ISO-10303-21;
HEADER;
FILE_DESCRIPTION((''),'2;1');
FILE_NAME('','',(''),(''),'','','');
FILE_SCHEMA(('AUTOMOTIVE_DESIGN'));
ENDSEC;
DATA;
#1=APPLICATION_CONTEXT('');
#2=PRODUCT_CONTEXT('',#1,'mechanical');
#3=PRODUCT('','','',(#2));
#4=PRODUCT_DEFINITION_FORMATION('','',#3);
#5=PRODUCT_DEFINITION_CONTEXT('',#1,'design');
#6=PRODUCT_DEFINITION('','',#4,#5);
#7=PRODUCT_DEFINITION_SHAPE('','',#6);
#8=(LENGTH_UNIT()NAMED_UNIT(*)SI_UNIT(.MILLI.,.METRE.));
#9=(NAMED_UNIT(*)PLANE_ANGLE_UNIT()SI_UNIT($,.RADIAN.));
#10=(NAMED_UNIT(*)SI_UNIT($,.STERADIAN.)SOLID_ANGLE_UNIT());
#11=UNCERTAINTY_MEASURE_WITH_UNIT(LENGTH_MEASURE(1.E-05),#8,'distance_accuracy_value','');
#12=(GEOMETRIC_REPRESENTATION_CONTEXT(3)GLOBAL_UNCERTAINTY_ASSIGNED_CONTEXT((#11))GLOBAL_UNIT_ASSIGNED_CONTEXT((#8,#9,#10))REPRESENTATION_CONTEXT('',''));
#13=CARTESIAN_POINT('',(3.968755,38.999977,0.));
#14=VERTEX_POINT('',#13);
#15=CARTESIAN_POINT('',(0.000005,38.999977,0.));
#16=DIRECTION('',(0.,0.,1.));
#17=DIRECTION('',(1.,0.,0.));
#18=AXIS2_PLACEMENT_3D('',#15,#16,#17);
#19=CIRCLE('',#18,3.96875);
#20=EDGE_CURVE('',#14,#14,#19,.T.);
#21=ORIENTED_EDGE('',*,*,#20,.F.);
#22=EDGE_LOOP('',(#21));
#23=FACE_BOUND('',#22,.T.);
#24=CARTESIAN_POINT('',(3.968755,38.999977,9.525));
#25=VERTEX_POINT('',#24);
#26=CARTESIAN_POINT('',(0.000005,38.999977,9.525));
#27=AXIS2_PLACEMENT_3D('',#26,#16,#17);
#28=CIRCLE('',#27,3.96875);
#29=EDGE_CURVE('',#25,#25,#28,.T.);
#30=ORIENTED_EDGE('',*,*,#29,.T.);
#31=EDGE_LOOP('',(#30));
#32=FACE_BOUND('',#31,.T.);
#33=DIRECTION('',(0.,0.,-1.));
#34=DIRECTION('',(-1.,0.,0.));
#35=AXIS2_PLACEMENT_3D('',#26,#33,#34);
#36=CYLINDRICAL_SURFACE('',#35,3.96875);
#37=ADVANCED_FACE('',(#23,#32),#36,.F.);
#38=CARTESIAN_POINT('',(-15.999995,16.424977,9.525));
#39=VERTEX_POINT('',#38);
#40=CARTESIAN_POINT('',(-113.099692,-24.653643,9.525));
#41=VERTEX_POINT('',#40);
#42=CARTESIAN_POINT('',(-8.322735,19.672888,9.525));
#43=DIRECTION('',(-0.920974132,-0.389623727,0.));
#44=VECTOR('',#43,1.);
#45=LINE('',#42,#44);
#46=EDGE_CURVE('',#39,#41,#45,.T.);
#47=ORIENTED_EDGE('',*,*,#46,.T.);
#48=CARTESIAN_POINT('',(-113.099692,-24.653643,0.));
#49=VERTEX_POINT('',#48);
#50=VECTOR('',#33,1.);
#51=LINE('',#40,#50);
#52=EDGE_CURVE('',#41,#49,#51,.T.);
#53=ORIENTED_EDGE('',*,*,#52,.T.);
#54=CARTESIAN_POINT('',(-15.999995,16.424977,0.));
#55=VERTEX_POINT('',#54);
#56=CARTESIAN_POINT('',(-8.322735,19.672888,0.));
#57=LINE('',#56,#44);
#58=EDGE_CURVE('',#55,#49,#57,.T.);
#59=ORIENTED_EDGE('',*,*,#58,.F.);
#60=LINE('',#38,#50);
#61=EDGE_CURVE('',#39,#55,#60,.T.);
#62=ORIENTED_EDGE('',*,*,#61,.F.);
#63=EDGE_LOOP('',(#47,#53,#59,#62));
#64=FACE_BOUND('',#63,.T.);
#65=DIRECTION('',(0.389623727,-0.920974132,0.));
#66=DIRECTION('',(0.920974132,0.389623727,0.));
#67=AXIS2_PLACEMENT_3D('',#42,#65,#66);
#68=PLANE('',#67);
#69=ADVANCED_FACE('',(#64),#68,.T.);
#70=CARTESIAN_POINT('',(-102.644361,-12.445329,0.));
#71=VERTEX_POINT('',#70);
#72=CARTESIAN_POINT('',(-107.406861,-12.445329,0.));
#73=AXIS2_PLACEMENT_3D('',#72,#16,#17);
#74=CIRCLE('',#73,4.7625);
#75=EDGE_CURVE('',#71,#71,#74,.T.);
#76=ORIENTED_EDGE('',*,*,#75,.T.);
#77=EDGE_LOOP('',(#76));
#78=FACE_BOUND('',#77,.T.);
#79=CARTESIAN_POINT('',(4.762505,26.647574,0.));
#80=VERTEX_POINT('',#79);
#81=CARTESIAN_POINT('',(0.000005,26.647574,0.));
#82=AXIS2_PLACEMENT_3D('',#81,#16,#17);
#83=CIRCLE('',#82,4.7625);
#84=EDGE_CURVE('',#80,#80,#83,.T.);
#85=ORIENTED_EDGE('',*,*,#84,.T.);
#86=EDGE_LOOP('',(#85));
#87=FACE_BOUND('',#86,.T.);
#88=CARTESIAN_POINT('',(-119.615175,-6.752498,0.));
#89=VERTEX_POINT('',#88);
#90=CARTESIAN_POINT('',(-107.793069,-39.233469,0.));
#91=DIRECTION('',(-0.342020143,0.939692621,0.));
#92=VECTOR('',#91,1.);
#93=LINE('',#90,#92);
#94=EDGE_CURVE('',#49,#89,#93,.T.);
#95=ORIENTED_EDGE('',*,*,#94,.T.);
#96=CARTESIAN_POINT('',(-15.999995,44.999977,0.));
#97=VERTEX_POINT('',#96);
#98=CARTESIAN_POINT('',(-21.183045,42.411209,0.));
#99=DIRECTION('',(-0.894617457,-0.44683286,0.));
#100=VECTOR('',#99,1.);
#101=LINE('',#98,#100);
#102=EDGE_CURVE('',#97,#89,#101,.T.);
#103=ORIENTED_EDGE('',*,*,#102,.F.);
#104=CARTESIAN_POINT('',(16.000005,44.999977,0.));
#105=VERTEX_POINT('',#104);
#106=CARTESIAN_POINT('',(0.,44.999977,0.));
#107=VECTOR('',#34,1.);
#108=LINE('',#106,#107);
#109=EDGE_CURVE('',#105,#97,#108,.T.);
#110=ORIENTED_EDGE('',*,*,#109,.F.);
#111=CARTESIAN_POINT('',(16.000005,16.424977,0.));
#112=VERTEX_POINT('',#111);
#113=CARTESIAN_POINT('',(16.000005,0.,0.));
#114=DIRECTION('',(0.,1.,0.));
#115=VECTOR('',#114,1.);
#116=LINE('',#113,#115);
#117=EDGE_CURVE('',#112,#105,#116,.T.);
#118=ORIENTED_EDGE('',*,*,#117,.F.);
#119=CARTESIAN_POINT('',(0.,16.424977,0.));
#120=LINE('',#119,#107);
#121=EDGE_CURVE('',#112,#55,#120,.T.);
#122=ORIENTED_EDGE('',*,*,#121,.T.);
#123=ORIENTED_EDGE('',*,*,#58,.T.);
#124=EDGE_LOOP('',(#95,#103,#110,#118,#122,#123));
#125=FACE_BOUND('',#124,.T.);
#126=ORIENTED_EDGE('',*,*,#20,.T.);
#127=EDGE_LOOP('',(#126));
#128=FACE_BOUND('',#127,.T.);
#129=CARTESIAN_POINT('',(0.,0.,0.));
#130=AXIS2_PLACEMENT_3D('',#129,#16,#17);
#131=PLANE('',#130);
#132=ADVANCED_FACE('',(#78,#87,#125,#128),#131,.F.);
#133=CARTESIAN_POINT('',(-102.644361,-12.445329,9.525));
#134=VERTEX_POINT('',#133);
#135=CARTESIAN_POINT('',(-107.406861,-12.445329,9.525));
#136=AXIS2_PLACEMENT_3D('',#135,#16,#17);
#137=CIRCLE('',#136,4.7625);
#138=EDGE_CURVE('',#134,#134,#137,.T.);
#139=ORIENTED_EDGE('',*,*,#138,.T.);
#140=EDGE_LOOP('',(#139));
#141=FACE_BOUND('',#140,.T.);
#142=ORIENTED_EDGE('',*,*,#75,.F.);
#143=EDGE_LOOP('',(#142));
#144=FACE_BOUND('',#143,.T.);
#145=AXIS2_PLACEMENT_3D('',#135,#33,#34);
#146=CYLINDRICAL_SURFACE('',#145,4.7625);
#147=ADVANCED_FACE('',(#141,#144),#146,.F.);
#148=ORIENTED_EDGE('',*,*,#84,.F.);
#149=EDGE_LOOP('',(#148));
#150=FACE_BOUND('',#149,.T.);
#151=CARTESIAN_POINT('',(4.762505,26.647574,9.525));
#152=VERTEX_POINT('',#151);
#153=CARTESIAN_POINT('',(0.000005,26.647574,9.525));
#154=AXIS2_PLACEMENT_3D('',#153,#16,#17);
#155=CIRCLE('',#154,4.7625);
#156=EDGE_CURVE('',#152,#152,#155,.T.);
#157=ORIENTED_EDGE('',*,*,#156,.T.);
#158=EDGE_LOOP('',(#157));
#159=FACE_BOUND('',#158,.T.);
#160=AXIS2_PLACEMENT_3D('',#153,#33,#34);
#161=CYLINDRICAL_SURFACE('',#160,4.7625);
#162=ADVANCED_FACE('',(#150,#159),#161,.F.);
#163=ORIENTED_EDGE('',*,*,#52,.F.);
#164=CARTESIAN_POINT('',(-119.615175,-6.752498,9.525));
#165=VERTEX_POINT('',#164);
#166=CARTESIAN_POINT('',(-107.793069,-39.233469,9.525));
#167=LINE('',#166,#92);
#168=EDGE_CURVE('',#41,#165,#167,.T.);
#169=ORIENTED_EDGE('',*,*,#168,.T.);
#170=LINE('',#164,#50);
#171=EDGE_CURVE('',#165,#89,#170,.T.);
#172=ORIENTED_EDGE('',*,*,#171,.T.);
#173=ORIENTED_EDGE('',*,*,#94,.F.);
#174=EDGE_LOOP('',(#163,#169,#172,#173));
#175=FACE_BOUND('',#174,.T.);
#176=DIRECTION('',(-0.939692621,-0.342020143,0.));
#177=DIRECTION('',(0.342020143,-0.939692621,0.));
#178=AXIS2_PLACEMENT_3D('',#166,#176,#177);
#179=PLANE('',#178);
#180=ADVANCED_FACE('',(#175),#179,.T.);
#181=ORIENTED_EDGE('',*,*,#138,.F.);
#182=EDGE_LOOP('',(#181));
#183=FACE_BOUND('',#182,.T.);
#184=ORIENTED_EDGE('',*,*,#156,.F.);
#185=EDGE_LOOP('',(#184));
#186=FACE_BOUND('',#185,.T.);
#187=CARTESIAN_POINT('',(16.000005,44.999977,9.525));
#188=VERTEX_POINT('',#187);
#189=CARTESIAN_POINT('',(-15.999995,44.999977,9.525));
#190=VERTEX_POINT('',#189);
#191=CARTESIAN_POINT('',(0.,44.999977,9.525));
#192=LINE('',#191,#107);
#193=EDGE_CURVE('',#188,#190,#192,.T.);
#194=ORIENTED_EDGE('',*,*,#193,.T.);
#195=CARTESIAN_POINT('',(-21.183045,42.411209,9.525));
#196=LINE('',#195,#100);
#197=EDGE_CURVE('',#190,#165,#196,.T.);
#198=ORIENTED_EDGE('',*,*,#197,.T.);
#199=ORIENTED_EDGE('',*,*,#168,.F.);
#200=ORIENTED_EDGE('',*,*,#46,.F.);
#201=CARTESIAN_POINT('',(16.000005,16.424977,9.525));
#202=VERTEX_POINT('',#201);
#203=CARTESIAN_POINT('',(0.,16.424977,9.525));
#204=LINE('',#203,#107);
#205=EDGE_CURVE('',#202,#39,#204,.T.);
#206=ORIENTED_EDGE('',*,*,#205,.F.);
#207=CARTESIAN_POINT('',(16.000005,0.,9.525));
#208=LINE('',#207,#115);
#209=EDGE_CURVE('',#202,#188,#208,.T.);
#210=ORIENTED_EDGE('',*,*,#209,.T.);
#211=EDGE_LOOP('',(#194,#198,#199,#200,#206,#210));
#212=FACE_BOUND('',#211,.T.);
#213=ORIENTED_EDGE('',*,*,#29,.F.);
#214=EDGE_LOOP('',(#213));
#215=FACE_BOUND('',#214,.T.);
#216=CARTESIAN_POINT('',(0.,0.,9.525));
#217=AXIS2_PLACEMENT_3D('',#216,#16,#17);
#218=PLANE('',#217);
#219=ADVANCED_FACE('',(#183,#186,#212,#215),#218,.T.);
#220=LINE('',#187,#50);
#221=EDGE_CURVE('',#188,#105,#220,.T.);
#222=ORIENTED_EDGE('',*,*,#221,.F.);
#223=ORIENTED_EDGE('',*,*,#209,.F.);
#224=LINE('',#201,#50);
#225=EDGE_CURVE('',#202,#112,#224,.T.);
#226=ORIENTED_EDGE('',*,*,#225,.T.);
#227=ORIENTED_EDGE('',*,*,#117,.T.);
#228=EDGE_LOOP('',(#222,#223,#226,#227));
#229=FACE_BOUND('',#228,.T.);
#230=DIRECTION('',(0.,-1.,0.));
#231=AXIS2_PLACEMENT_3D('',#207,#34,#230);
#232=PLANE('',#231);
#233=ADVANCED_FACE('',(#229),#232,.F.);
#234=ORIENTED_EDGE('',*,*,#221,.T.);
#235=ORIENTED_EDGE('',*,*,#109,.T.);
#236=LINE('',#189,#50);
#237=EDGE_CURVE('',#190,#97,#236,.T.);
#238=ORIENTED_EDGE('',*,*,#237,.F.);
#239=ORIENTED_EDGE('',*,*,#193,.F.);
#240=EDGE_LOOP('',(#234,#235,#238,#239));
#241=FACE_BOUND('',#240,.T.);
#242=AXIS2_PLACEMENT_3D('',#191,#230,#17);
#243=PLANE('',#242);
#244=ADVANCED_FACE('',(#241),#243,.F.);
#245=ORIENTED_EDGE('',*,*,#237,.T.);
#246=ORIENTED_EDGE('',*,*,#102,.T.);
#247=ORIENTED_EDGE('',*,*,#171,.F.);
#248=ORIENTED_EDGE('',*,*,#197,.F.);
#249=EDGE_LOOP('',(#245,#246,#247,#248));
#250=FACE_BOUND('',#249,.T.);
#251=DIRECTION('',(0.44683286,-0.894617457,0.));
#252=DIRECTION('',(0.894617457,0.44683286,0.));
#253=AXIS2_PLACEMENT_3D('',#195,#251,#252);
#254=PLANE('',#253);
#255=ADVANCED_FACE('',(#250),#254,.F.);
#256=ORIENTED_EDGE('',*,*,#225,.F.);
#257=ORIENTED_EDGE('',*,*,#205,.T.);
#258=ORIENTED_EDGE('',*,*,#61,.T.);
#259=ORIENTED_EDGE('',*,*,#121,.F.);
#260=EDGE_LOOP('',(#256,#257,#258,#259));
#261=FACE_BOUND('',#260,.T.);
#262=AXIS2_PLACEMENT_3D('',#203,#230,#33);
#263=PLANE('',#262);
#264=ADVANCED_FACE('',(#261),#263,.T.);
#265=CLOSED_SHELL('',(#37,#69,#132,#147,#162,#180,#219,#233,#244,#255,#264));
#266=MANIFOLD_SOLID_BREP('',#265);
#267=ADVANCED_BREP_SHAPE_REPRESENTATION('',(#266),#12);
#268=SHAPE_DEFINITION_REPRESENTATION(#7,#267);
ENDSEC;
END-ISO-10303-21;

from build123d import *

# Parameters (mm, degrees)
SKETCH1_R           = 3.968750002
SKETCH1_R_2         = 4.762500002
BOSS_EXTRUDE1_DEPTH = 9.525


with BuildPart() as part:
    # Sketch1 → Boss-Extrude1 (new body)
    with BuildSketch(Plane.XY):
        Polygon((-15.999994627, 44.999976621), (-119.615175298, -6.752498345), (-113.099691568, -24.653642771), (-15.999994627, 16.424976621), (16.000005373, 16.424976621), (16.000005373, 44.999976621), align=None)
        with Locations((5.373e-06, 38.999976621)):
            Circle(SKETCH1_R, mode=Mode.SUBTRACT)
        with Locations((5.336e-06, 26.647573689)):
            Circle(SKETCH1_R_2, mode=Mode.SUBTRACT)
        with Locations((-107.40686122, -12.445328693)):
            Circle(SKETCH1_R_2, mode=Mode.SUBTRACT)
    extrude(amount=BOSS_EXTRUDE1_DEPTH)


solid = part.part
